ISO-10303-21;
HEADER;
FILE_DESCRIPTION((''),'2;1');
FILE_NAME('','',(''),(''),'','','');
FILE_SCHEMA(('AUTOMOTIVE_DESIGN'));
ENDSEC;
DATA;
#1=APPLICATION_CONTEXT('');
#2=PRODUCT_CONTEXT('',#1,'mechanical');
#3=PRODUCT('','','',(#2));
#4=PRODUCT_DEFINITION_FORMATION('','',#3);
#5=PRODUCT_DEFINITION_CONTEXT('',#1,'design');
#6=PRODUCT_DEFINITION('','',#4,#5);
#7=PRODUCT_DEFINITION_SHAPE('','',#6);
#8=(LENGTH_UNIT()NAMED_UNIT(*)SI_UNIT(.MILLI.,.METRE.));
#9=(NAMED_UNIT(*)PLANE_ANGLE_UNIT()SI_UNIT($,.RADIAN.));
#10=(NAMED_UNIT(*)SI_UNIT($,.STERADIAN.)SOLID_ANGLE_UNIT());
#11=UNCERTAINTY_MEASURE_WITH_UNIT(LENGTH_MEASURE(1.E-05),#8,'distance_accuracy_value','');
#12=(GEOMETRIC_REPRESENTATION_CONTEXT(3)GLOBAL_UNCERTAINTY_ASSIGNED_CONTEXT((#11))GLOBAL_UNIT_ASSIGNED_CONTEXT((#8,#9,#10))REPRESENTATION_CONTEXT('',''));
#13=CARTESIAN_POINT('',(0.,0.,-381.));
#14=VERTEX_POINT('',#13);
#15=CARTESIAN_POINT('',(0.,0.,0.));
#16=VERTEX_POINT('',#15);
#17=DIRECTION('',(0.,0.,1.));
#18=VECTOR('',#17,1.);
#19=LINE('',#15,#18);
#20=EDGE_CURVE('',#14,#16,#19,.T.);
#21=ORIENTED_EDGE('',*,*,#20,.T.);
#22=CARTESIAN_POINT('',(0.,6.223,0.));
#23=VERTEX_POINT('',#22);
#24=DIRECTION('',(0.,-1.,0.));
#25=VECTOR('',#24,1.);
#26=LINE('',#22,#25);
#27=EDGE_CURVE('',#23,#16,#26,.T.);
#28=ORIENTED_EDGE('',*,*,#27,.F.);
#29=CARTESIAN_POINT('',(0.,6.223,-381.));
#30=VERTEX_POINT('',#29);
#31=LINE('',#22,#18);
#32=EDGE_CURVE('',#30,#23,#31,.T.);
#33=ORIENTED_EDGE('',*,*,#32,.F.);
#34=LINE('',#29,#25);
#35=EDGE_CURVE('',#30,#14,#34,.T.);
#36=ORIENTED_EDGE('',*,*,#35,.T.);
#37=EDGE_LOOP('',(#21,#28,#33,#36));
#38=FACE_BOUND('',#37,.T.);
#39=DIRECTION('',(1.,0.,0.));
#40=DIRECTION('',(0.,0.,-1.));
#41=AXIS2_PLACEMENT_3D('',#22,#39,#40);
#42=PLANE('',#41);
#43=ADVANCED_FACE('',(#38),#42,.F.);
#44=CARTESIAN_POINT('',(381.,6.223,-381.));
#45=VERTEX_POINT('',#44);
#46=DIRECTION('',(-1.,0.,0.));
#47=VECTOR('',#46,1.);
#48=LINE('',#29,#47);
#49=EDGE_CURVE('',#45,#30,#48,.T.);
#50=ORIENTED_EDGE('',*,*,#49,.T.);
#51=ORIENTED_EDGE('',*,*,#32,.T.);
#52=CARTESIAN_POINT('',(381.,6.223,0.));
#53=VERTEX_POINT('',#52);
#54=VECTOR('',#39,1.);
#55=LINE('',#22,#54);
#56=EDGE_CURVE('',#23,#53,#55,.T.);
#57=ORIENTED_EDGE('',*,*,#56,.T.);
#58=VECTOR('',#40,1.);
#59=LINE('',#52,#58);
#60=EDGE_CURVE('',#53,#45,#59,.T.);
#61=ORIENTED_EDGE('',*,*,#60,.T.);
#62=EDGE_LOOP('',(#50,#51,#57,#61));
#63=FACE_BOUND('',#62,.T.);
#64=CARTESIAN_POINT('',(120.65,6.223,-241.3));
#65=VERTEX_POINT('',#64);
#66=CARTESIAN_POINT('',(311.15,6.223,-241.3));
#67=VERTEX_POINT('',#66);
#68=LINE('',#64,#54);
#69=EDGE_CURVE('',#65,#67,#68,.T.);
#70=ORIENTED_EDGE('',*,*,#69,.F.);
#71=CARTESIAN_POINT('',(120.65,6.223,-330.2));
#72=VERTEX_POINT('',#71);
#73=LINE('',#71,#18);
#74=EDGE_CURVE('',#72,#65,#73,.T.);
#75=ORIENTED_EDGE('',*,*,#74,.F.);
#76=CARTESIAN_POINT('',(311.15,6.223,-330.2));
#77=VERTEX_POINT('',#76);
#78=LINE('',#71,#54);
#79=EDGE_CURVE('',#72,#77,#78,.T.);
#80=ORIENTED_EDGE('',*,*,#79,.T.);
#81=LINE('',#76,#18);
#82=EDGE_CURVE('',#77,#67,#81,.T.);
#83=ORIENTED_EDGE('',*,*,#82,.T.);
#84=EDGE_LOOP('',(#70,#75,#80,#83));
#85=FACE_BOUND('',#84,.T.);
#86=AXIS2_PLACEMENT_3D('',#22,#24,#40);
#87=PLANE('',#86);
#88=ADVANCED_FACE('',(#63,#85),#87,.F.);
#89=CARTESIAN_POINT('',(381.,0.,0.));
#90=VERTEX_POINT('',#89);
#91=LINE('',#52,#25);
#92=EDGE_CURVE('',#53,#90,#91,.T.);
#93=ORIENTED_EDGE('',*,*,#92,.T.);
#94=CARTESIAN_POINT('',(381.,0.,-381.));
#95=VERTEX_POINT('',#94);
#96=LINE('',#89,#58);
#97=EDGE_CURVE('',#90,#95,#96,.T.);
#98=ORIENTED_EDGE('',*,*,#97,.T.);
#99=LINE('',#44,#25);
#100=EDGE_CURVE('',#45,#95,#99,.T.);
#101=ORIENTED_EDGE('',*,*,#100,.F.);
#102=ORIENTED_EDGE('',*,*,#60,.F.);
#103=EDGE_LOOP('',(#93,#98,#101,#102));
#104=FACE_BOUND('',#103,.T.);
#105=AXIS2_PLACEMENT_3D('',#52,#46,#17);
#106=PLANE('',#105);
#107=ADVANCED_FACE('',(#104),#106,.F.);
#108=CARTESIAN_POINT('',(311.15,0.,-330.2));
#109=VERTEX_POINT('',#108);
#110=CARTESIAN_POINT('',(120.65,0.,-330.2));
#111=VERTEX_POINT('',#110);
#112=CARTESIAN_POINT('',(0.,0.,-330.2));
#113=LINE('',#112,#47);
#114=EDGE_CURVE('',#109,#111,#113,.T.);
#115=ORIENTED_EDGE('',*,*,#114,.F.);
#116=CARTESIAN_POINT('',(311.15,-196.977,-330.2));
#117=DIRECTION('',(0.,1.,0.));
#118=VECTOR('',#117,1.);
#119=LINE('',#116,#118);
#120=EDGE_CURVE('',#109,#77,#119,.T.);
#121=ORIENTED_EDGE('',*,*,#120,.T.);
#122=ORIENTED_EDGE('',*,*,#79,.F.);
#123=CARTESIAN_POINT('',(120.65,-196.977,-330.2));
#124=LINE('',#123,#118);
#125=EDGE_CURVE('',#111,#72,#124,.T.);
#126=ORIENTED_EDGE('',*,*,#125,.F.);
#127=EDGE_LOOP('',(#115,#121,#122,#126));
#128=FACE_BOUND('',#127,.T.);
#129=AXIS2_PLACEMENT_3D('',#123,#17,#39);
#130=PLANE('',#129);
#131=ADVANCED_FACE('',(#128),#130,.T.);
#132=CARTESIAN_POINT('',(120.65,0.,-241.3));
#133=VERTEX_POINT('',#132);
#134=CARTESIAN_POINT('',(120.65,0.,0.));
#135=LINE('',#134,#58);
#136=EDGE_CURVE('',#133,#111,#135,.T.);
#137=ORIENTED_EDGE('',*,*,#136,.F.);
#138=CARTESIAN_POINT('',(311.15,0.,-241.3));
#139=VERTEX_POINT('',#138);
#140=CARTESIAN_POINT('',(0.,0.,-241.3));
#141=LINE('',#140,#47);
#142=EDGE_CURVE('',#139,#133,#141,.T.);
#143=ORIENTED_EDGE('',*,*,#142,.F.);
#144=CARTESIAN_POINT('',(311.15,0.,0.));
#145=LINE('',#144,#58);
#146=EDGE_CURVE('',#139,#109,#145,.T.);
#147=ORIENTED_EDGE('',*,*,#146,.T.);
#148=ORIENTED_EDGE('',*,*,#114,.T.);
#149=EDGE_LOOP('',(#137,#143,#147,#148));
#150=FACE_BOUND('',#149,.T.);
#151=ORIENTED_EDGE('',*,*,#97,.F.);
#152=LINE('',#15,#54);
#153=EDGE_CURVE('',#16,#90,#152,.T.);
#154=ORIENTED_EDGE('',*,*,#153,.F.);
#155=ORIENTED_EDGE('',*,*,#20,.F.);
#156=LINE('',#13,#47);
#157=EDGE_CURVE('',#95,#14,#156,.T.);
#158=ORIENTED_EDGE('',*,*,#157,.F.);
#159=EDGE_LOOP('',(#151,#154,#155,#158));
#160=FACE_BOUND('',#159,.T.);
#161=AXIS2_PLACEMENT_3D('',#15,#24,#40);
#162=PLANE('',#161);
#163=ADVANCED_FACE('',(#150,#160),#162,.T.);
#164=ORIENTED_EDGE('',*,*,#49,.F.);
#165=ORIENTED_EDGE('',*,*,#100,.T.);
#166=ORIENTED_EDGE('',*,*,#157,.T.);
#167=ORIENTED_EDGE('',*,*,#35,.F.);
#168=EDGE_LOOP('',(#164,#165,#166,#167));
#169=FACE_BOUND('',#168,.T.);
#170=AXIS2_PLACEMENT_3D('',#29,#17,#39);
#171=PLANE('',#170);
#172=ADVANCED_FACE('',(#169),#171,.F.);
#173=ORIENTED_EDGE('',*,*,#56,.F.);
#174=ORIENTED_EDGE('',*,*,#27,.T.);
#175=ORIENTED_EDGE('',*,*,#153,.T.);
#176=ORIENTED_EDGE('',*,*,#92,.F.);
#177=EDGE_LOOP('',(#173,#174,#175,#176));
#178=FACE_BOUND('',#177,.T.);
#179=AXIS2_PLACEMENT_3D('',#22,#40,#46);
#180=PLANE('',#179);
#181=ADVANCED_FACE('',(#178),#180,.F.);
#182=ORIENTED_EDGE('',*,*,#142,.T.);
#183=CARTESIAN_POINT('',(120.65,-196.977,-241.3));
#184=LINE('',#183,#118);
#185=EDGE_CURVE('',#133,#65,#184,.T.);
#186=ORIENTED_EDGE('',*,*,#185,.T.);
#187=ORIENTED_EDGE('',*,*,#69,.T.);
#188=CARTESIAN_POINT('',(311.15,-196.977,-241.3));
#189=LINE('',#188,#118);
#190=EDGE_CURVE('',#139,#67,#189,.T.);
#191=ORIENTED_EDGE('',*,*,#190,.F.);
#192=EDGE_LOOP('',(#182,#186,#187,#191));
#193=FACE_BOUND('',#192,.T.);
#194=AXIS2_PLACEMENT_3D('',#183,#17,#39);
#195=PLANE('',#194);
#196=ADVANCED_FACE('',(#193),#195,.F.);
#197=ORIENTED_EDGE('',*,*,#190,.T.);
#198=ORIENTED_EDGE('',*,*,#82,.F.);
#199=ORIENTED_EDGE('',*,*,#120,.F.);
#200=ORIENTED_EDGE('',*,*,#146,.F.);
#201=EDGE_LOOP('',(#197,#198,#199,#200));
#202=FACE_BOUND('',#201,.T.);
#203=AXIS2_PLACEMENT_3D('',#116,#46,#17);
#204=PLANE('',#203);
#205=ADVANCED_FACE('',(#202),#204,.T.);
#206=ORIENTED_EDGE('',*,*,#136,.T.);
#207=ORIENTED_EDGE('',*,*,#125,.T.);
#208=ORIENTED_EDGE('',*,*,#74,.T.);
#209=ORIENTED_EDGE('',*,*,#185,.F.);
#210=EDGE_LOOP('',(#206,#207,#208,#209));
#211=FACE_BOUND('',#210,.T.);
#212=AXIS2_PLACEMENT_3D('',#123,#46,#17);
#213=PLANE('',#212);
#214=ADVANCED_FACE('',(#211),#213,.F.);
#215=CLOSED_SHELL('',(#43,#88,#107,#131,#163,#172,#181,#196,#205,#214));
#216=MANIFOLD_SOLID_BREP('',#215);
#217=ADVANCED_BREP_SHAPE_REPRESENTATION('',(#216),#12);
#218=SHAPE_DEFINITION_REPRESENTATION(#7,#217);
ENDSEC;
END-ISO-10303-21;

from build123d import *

# Parameters (mm, degrees)
SKETCH1_W           = 381
SKETCH1_H           = 381
BOSS_EXTRUDE1_DEPTH = 6.223
SKETCH4_W           = 190.5
SKETCH4_H           = 88.9
CUT_EXTRUDE1_DEPTH  = 203.2


with BuildPart() as part:
    # Sketch1 → Boss-Extrude1 (new body)
    with BuildSketch(Plane(origin=(0, 0, 0), x_dir=(1, 0, 0), z_dir=(0, 1, 0))):
        with Locations((190.5, 190.5)):
            Rectangle(SKETCH1_W, SKETCH1_H)
    extrude(amount=BOSS_EXTRUDE1_DEPTH)

    # Sketch4 → Cut-Extrude1 (cut)
    with BuildSketch(Plane(origin=(0, 6.223, 0), x_dir=(1, 0, 0), z_dir=(0, 1, 0))):
        with Locations((215.9, 285.75)):
            Rectangle(SKETCH4_W, SKETCH4_H)
    extrude(amount=-CUT_EXTRUDE1_DEPTH, mode=Mode.SUBTRACT)


solid = part.part
